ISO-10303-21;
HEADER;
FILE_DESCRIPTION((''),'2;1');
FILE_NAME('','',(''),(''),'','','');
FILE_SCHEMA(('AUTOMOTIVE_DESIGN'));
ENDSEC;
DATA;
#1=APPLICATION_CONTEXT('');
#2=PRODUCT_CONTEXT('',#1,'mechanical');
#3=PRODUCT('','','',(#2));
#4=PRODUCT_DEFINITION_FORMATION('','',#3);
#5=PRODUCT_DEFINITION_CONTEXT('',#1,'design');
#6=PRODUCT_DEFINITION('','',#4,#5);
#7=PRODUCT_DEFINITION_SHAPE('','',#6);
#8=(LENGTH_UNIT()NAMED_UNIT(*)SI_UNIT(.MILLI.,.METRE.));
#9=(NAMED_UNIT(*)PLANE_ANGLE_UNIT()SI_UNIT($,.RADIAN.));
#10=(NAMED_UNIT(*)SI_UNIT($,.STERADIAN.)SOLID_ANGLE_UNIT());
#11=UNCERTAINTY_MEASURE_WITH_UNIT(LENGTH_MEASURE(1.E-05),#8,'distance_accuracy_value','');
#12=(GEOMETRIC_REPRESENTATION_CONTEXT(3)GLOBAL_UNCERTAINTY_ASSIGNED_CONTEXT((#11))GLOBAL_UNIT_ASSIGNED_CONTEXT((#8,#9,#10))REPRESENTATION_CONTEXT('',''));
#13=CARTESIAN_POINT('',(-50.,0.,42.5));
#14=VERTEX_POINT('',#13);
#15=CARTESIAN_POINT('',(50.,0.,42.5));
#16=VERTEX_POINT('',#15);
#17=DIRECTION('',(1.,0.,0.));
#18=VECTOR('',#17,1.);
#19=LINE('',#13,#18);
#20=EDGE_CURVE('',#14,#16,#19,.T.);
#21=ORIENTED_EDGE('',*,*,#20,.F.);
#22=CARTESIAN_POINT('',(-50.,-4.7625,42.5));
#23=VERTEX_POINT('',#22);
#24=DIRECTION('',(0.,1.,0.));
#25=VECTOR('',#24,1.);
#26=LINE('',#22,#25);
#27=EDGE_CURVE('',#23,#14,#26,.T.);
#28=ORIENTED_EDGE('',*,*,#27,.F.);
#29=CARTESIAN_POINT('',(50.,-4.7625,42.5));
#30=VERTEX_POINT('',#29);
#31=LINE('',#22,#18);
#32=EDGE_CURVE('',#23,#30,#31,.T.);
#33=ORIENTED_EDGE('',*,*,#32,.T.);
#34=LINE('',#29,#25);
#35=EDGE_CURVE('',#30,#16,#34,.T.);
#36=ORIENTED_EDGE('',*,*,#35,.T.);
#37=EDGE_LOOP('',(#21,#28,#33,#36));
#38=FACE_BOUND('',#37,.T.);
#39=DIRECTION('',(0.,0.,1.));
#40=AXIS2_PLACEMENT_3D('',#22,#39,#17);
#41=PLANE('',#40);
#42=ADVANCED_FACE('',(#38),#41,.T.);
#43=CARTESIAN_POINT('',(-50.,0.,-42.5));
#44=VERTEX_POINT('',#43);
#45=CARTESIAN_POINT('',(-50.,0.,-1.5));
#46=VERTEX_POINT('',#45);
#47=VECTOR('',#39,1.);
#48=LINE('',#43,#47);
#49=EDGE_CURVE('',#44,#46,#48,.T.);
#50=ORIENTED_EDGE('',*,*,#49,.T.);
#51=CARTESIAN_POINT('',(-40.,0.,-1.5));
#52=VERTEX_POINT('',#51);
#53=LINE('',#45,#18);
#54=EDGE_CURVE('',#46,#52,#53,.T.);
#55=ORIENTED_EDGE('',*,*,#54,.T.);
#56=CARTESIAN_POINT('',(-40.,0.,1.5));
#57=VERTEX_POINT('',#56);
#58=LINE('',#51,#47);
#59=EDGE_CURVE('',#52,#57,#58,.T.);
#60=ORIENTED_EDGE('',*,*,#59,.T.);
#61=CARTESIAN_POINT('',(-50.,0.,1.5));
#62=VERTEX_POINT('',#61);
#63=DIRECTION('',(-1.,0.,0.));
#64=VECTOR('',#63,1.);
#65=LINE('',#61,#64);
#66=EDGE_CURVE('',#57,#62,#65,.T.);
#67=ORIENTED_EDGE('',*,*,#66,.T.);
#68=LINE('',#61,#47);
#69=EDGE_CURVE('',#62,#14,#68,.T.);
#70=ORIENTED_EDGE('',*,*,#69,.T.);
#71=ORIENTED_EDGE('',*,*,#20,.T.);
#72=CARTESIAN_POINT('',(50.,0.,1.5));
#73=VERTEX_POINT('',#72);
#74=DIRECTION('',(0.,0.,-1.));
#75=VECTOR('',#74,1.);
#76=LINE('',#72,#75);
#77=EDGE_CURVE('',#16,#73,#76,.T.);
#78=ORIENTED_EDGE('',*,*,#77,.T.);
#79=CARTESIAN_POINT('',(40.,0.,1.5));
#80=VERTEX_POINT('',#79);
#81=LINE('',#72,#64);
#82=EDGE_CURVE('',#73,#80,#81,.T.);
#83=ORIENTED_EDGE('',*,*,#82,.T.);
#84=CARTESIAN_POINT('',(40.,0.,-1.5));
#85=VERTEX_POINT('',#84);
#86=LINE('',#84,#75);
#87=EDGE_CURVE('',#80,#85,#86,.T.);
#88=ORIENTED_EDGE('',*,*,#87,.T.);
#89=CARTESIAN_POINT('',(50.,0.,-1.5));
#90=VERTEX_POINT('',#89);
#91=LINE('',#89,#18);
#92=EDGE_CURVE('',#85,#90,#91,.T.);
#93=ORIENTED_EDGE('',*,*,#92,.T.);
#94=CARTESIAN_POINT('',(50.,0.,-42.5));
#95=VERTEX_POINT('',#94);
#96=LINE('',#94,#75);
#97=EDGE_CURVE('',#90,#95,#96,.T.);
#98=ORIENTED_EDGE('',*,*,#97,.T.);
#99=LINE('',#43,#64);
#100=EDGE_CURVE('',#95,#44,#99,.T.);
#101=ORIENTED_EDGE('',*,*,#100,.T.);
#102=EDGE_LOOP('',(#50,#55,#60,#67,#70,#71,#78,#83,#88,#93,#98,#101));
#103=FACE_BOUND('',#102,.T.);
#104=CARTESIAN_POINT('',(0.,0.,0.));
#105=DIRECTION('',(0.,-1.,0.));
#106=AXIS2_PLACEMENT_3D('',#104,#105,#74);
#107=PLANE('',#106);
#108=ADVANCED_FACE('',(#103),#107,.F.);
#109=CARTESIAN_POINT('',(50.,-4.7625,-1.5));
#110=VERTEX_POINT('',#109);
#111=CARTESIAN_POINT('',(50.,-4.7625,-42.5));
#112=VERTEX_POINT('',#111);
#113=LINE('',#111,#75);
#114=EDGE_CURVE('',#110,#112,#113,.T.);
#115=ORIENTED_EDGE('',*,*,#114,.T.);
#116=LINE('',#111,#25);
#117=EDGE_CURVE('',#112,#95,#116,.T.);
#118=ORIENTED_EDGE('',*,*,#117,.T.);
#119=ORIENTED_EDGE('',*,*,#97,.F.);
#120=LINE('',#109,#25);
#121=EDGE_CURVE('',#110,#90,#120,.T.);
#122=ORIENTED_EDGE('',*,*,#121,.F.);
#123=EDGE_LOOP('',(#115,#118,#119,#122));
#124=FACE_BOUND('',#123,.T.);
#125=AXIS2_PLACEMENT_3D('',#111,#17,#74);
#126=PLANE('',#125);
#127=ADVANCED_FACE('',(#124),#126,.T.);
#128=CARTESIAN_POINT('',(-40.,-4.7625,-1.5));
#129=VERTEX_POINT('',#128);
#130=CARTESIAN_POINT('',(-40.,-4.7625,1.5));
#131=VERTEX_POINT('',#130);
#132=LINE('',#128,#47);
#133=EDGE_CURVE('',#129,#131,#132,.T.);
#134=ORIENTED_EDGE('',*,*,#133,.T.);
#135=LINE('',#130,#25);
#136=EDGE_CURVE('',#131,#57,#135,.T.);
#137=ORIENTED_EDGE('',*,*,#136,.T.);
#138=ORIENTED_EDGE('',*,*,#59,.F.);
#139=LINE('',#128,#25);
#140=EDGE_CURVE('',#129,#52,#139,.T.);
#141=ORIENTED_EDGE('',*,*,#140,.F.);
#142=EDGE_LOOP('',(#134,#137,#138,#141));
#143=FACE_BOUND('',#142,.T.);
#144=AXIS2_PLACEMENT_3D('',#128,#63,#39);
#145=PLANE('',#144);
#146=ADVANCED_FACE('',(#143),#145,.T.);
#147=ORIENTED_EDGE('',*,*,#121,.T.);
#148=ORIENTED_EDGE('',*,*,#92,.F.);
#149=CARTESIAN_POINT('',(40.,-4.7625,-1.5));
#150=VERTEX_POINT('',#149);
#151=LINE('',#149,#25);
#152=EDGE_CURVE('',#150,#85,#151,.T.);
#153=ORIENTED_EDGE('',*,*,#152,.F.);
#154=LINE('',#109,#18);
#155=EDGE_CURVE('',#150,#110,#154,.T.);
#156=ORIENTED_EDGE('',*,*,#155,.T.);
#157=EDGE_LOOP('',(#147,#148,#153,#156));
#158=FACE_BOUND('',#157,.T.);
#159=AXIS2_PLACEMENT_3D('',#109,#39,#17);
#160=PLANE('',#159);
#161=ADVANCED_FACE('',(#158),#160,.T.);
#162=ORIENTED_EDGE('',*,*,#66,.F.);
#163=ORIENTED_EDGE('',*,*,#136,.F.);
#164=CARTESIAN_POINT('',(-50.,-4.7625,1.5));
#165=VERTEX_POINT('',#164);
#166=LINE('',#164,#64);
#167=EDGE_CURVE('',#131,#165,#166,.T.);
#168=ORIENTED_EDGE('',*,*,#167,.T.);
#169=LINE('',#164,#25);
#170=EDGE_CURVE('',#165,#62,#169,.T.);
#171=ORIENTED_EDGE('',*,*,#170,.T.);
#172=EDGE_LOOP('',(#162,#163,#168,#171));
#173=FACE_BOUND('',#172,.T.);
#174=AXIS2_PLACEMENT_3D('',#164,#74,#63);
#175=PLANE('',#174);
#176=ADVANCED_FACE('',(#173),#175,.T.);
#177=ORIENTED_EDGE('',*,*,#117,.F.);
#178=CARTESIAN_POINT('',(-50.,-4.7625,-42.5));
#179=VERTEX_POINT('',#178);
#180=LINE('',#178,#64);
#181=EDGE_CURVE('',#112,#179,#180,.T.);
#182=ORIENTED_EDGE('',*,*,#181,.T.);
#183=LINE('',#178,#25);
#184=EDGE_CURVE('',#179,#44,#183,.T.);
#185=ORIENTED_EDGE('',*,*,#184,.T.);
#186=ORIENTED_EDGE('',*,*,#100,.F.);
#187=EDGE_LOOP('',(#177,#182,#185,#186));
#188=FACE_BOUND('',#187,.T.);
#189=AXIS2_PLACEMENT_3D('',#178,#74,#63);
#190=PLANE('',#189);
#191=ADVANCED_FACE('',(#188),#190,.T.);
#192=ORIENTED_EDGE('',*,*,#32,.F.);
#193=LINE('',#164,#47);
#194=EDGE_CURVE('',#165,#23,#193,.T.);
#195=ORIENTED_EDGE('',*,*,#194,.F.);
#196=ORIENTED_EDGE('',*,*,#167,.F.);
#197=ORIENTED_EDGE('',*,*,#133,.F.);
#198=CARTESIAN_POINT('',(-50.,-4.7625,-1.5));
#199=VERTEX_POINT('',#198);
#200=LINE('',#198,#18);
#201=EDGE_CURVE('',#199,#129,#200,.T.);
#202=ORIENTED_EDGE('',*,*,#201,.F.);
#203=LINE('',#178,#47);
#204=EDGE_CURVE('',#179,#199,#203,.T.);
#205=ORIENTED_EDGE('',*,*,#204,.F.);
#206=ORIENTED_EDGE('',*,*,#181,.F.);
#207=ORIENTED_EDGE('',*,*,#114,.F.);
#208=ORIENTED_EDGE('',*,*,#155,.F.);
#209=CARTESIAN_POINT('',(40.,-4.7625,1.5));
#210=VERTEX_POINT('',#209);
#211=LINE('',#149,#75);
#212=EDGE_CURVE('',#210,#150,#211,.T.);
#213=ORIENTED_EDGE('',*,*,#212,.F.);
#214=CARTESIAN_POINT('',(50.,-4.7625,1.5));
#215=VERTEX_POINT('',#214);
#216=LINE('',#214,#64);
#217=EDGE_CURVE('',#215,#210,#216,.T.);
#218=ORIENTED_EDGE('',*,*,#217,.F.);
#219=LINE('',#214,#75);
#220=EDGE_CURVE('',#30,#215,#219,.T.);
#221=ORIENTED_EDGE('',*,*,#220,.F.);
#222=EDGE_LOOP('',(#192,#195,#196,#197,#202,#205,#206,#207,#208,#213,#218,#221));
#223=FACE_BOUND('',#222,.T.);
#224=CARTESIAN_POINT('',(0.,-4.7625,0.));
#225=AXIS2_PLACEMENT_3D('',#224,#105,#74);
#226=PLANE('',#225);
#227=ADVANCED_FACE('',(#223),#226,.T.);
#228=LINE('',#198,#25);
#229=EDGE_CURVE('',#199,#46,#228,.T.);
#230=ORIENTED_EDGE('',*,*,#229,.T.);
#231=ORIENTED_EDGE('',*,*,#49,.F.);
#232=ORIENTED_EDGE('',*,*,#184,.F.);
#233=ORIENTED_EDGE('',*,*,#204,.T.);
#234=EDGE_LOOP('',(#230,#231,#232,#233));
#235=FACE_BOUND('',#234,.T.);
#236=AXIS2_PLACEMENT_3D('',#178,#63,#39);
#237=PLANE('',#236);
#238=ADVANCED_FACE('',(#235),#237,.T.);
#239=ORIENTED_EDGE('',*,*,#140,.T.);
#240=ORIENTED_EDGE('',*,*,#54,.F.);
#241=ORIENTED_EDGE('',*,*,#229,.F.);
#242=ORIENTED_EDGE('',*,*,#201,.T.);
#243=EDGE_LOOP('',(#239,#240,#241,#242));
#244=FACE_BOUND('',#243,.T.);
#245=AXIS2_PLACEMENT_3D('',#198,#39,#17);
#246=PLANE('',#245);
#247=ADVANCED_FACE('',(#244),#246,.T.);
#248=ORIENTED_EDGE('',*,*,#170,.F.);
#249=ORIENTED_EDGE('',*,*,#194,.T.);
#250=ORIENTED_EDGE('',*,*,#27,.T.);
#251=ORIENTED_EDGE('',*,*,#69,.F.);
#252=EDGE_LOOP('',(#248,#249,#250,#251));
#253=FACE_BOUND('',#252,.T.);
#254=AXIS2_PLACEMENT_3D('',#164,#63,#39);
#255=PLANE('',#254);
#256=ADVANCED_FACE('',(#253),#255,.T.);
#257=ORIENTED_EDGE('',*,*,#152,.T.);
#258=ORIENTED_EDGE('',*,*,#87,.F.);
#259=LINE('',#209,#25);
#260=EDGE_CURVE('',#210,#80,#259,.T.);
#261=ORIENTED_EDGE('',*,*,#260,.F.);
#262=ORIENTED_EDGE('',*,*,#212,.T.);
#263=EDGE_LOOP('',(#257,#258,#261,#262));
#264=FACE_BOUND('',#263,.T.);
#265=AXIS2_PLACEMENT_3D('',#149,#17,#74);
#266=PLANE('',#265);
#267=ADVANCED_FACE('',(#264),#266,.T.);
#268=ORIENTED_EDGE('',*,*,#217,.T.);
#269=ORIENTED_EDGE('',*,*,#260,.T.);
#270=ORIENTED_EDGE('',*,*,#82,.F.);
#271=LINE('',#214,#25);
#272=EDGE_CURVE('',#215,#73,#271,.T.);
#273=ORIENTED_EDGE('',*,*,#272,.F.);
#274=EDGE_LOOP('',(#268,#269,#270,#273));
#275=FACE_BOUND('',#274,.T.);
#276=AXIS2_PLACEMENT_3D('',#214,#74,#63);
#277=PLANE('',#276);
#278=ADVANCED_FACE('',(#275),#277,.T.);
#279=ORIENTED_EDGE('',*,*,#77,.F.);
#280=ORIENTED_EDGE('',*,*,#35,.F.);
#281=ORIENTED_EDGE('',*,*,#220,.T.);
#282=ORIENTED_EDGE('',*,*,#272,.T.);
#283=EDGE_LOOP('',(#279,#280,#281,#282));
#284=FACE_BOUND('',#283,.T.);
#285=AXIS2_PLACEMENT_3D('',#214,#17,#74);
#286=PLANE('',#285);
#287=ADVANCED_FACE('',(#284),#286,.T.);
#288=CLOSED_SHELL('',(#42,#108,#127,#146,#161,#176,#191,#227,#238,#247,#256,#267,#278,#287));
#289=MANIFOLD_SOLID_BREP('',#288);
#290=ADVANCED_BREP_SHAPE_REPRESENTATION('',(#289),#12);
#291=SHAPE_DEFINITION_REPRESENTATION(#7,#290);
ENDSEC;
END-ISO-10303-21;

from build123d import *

# Parameters (mm, degrees)
BOSS_EXTRUDE1_DEPTH = 4.7625


with BuildPart() as part:
    # Sketch3 → Boss-Extrude1 (new body)
    with BuildSketch(Plane(origin=(0, 0, 0), x_dir=(1, 0, 0), z_dir=(0, 1, 0))):
        Polygon((-50, -42.5), (50, -42.5), (50, -1.5), (40, -1.5), (40, 1.5), (50, 1.5), (50, 42.5), (-50, 42.5), (-50, 1.5), (-40, 1.5), (-40, -1.5), (-50, -1.5), align=None)
    extrude(amount=-BOSS_EXTRUDE1_DEPTH)


solid = part.part
